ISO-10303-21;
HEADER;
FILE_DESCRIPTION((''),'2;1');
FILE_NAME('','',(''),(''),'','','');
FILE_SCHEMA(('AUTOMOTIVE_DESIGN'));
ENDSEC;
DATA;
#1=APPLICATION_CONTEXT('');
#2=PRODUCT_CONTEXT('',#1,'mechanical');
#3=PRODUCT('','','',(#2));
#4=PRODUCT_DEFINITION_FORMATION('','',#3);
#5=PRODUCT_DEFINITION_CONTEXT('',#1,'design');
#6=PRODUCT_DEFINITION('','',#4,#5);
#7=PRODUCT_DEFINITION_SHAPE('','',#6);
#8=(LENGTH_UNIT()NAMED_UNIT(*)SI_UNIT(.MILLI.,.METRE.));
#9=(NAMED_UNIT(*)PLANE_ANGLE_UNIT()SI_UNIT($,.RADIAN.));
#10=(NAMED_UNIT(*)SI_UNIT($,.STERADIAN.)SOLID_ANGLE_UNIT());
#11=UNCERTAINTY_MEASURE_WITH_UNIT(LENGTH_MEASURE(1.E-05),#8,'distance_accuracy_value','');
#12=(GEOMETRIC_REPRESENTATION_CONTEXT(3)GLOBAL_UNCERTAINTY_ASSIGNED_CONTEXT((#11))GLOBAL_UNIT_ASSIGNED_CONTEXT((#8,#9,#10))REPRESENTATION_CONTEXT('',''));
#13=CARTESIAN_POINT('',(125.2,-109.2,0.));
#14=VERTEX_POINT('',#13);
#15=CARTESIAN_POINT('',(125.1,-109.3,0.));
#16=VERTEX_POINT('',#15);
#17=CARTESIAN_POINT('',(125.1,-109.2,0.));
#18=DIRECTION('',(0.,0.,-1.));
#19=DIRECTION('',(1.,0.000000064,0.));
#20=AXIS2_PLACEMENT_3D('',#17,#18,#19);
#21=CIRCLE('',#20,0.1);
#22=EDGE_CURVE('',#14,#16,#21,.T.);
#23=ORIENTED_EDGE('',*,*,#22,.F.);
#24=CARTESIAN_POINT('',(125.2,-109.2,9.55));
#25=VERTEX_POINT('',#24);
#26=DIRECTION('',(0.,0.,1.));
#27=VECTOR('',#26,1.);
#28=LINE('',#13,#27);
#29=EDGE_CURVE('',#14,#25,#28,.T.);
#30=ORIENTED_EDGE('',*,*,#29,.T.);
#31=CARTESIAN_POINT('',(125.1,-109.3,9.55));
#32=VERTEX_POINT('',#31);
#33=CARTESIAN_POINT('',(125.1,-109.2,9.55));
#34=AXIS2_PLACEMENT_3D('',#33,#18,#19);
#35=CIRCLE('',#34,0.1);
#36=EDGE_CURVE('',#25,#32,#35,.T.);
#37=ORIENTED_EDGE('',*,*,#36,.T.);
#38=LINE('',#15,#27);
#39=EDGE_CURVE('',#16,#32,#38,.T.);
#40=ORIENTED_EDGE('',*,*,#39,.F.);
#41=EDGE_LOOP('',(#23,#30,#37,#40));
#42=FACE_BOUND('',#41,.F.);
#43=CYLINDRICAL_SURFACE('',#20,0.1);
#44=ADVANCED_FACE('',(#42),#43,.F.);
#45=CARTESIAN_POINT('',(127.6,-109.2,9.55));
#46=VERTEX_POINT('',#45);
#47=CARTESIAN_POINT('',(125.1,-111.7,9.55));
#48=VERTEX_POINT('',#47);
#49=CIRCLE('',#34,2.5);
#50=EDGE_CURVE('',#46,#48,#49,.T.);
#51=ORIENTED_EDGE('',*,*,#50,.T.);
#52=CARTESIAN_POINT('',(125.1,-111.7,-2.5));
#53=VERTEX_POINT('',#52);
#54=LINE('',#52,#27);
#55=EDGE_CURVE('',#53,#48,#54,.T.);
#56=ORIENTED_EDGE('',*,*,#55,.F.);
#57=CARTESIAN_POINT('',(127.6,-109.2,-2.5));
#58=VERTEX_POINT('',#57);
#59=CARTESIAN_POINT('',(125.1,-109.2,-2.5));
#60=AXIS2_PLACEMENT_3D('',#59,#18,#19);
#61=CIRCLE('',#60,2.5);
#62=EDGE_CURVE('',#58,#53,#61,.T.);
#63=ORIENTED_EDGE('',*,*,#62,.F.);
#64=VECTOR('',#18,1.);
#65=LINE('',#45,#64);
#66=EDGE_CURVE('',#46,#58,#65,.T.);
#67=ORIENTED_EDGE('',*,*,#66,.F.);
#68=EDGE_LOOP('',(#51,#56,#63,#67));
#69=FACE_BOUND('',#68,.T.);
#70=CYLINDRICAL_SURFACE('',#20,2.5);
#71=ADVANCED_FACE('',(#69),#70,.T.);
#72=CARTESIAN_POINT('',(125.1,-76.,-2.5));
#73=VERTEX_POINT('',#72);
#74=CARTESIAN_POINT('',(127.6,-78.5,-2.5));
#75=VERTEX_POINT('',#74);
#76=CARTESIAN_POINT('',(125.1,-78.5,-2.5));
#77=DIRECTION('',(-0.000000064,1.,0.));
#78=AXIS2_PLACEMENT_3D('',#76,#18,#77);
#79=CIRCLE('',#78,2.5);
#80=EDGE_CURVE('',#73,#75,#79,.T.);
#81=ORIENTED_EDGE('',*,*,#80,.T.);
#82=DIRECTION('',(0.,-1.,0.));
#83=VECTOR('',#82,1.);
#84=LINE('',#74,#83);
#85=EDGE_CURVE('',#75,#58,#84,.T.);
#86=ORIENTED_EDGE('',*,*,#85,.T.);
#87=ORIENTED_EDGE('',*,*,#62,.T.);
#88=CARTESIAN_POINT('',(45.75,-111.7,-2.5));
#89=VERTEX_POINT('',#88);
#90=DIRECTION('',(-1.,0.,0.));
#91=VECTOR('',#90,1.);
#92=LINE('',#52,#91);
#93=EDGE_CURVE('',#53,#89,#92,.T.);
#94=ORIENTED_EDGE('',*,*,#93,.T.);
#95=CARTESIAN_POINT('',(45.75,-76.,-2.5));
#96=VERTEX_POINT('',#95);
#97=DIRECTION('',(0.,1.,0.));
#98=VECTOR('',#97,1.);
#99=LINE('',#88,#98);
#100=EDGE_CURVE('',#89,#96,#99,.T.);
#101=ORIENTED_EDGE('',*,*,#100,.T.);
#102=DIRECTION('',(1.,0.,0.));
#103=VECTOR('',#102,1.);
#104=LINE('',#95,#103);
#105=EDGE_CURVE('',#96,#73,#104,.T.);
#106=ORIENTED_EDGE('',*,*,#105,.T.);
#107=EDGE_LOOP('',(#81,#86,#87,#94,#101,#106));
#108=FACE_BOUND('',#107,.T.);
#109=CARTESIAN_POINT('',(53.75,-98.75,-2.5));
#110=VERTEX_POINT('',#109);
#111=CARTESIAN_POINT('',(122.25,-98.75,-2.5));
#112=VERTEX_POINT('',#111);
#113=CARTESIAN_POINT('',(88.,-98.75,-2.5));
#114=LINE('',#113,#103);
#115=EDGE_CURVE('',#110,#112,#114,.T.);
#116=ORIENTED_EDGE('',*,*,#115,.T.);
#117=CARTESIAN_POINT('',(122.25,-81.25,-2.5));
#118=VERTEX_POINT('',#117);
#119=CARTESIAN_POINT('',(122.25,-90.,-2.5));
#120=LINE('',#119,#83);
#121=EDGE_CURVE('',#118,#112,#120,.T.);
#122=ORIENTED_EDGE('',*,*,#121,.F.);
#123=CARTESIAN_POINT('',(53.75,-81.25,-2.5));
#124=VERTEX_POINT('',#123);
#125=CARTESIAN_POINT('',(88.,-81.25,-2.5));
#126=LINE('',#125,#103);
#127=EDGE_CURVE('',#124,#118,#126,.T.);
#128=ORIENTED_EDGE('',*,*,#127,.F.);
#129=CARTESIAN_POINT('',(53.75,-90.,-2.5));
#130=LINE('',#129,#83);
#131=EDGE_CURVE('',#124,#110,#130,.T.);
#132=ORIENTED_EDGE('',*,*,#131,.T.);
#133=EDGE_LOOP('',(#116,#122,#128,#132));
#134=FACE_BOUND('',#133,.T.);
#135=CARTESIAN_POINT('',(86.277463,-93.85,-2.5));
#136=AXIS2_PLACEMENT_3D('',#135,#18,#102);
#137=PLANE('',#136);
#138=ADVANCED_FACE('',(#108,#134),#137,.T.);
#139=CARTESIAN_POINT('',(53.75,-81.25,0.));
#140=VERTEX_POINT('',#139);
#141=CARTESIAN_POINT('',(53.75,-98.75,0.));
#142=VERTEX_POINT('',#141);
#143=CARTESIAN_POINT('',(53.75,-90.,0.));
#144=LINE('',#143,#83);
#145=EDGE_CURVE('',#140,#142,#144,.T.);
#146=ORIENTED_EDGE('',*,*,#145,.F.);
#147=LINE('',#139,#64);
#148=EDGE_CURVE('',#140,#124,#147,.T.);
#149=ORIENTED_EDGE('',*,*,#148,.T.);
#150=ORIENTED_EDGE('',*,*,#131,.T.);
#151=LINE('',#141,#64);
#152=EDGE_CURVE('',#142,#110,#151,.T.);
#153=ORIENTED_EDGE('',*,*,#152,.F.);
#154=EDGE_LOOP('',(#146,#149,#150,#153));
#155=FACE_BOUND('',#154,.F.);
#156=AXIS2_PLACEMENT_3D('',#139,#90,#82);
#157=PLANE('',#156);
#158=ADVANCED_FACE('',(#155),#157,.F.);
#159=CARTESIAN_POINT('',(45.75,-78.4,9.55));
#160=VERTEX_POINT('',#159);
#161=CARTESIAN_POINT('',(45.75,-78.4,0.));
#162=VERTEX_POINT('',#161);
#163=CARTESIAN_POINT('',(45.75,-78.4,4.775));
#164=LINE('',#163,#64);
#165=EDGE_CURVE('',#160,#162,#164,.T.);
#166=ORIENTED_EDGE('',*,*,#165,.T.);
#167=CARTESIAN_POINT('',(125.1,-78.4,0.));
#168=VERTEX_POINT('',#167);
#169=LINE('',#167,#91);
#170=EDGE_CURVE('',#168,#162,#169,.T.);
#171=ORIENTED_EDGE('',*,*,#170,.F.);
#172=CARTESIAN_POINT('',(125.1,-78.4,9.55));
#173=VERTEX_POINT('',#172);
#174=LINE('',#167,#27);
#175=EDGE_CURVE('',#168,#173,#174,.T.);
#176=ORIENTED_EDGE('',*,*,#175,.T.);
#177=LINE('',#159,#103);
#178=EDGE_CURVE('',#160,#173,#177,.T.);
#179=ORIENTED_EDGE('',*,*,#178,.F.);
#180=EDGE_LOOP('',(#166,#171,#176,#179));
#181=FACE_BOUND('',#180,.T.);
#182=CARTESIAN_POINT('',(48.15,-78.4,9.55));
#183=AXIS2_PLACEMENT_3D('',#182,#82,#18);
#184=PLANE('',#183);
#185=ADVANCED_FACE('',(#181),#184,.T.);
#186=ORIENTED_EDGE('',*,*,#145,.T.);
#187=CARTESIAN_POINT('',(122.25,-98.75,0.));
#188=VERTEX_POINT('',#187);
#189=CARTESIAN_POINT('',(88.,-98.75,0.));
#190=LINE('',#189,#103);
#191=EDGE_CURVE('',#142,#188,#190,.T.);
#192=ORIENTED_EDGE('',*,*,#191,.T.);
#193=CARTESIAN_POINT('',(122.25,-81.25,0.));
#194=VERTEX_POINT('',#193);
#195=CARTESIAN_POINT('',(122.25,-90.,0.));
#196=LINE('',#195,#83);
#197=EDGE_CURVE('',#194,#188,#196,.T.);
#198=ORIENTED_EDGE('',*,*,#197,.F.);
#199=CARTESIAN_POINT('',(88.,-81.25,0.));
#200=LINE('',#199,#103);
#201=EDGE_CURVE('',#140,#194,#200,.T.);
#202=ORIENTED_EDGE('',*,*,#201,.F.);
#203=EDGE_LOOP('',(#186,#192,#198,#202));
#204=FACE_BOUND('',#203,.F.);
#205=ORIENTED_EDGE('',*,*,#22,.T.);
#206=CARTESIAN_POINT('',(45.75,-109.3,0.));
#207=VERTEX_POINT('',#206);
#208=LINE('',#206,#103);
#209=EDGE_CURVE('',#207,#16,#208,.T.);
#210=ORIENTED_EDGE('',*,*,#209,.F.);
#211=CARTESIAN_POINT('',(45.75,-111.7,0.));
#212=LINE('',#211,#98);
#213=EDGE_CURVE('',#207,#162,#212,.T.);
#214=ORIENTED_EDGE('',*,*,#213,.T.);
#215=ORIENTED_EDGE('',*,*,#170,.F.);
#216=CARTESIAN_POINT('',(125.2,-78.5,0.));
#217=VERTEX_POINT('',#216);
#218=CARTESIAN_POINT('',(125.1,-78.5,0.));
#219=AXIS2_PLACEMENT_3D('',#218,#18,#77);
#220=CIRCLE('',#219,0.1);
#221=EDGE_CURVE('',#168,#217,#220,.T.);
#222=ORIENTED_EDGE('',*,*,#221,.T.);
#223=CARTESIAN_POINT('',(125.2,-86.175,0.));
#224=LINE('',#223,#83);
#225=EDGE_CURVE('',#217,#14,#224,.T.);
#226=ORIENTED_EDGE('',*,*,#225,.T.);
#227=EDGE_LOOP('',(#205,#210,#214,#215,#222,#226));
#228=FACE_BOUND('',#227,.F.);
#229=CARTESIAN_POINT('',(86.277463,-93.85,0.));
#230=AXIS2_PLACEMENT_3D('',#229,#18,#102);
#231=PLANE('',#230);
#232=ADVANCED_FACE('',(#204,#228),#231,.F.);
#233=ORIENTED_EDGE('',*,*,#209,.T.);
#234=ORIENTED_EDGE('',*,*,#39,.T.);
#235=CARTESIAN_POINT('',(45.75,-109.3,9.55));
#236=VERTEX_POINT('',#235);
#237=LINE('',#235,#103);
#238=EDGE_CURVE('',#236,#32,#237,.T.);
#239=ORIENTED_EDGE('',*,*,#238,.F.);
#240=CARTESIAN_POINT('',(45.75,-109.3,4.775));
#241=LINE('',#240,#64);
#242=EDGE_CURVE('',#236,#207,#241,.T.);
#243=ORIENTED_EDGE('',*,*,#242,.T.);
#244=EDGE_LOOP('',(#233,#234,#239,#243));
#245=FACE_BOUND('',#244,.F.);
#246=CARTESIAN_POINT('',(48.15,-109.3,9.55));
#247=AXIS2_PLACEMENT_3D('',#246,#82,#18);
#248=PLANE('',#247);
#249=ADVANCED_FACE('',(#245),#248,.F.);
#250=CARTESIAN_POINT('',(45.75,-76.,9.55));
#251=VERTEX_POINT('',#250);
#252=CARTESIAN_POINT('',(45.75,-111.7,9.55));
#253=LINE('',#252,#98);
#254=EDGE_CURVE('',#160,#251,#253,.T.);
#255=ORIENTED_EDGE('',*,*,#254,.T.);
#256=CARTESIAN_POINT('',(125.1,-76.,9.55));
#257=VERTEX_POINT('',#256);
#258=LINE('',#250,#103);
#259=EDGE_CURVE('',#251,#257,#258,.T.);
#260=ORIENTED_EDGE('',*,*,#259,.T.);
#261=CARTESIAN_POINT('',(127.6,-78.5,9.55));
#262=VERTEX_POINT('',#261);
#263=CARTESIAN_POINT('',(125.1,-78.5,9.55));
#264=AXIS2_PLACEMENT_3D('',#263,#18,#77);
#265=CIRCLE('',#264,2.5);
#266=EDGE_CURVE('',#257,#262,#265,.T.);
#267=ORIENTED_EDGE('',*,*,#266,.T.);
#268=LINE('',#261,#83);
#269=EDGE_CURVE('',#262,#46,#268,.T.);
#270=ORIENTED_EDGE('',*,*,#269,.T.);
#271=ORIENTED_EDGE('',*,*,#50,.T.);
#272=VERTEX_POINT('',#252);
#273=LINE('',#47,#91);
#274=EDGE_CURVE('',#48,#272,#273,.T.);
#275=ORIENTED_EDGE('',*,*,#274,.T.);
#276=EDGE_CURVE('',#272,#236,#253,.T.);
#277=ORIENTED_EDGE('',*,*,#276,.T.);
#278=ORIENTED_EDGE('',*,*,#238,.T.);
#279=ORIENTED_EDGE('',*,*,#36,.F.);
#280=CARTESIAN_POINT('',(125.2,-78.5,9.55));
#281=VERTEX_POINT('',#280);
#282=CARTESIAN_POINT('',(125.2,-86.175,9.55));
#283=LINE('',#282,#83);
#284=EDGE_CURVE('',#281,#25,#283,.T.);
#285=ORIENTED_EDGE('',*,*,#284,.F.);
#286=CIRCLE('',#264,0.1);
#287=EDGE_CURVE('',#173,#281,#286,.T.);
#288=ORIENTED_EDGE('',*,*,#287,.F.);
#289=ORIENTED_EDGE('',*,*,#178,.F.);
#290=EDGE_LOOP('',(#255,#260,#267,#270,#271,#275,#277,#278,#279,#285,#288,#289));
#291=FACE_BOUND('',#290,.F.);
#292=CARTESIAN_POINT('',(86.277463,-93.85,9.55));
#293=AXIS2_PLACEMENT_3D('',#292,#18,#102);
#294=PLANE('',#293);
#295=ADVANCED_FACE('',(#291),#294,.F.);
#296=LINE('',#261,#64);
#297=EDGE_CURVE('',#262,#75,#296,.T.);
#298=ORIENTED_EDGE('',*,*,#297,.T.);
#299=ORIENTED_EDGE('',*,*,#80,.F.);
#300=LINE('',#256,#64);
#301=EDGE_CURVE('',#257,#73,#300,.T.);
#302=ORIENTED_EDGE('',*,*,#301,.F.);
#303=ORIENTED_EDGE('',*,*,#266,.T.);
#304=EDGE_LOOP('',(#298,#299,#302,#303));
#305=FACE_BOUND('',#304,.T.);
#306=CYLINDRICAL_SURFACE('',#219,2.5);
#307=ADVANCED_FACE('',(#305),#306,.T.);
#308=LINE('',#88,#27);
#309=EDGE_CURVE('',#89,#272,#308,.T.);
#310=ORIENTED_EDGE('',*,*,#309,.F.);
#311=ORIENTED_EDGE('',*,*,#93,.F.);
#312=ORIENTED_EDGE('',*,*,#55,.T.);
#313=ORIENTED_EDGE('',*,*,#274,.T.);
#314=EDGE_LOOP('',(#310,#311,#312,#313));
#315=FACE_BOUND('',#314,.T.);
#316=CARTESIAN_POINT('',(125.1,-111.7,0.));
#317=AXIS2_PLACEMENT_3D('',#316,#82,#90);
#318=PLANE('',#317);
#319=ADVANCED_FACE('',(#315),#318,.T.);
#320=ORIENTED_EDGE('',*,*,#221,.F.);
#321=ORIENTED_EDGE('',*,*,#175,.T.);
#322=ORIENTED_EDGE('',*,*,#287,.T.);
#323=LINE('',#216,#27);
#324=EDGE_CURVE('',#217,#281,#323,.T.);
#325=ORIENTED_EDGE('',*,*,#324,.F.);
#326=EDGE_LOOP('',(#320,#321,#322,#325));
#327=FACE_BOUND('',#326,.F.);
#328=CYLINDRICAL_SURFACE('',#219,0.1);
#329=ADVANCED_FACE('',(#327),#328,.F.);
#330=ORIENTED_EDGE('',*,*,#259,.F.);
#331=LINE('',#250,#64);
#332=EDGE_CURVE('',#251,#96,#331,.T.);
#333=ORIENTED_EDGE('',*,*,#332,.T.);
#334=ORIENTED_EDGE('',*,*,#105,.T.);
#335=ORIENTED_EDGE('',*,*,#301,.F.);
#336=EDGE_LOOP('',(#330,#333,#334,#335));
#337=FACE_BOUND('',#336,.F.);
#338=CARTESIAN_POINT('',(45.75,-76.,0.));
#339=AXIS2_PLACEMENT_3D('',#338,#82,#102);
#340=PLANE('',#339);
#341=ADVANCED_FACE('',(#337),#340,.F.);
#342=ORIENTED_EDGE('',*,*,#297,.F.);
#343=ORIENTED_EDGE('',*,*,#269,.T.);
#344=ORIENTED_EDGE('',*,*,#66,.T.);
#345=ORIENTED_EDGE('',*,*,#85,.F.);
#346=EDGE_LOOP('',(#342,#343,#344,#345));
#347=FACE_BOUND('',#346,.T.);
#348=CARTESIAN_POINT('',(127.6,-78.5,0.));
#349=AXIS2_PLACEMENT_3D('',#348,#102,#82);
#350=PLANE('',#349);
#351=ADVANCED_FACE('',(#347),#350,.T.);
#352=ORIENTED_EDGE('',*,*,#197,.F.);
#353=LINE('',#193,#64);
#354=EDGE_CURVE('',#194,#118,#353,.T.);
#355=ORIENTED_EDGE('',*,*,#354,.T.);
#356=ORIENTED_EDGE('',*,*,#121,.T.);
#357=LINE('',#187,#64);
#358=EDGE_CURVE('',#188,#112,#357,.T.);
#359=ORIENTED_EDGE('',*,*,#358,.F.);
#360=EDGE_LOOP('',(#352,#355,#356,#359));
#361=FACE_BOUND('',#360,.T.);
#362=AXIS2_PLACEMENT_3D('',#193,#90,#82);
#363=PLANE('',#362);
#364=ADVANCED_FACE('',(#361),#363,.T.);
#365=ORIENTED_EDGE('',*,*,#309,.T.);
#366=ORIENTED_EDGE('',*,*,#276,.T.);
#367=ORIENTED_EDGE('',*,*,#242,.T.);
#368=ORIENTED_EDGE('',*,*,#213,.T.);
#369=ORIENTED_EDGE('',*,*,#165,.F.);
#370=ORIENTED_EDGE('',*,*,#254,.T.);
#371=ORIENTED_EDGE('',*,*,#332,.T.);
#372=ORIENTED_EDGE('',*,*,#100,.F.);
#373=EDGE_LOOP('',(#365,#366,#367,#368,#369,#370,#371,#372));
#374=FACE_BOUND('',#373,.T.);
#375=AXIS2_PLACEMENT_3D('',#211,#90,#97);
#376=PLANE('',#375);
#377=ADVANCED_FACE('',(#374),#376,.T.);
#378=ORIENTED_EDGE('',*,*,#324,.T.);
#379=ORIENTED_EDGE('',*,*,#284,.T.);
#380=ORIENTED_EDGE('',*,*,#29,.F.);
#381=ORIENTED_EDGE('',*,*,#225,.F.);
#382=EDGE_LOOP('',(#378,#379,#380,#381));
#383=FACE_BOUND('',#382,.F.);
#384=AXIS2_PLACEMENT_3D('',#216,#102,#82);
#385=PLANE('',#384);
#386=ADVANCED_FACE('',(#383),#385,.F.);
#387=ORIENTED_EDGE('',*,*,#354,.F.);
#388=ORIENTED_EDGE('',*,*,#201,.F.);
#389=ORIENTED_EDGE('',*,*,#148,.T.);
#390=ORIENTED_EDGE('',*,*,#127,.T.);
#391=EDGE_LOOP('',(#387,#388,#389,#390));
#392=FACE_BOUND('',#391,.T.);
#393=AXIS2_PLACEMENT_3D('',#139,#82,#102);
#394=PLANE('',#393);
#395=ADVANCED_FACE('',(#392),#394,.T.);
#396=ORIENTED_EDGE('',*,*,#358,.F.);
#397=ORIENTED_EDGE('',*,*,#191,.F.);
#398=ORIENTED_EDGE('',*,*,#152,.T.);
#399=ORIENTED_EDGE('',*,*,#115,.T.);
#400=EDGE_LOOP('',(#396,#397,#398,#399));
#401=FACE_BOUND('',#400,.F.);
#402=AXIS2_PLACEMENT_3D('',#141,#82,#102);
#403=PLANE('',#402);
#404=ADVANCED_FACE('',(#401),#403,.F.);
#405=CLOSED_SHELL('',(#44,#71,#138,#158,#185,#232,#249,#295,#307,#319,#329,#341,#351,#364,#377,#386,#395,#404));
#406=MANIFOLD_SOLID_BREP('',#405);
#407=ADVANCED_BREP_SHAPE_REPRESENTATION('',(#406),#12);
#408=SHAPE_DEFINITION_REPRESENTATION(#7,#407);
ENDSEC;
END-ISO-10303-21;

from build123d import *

# Parameters (mm, degrees)
PAD038_DEPTH           = 9.55
THICKNESS004_T         = -2.4
SKETCH044_W            = 30.9
SKETCH044_H            = 9.55
POCKET008_DEPTH        = 2.4
SKETCH040_W            = 68.5
SKETCH040_H            = 17.5
PAD036_DEPTH           = 2.5
FUSION_PLACEMENT_ANGLE = 180


with BuildPart() as body012:
    # Sketch043 → Pad038 (new body)
    with BuildSketch(Plane.XY):
        with BuildLine():
            Line((126.75, 6.7), (126.75, -29))
            Line((126.75, -29), (206.1, -29))
            ThreePointArc((206.1, -29), (207.867767, -28.267767), (208.6, -26.5))
            Line((208.6, -26.5), (208.6, 4.2))
            ThreePointArc((208.6, 4.2), (207.867767, 5.967767), (206.1, 6.7))
            Line((206.1, 6.7), (126.75, 6.7))
        make_face()
    extrude(amount=-PAD038_DEPTH)

    # Thickness004
    thickness004_openings = [body012.faces().sort_by_distance(p)[0] for p in [
        (167.637908, -11.15, -9.55),
        (167.637908, -11.15, 0),
    ]]
    offset(amount=THICKNESS004_T, openings=thickness004_openings, kind=Kind.INTERSECTION)

    # Sketch044 (on Face8 of Thickness004) → Pocket008 (cut)
    with BuildSketch(Plane.YZ.offset(129.15)):
        with Locations((-11.15, -4.775)):
            Rectangle(SKETCH044_W, SKETCH044_H)
    extrude(amount=-POCKET008_DEPTH, mode=Mode.SUBTRACT)


with BuildPart() as body012_1:
    # Body012 placement: moved
    add(body012.part.moved(Location((0, 0, 10))))


with BuildPart() as tail_cover:
    # Sketch040 → Pad036 (new body)
    with BuildSketch(Plane.XY):
        with BuildLine():
            Line((126.75, 6.7), (126.75, -29))
            Line((126.75, -29), (206.1, -29))
            ThreePointArc((206.1, -29), (207.867767, -28.267767), (208.6, -26.5))
            Line((208.6, -26.5), (208.6, 4.2))
            ThreePointArc((208.6, 4.2), (207.867767, 5.967767), (206.1, 6.7))
            Line((206.1, 6.7), (126.75, 6.7))
        make_face()
        with Locations((169, -15)):
            Rectangle(SKETCH040_W, SKETCH040_H, mode=Mode.SUBTRACT)
    extrude(amount=PAD036_DEPTH)


with BuildPart() as tail_cover_1:
    # Body010 placement: moved
    add(tail_cover.part.moved(Location((0, 0, 10))))

    # Fusion: union Body012
    add(body012_1.part)


with BuildPart() as tail_cover_2:
    # Fusion placement: moved
    add(tail_cover_1.part.moved(Location((-81, -105, 10))).rotate(Axis((-81, -105, 10), (1, 0, 0)), FUSION_PLACEMENT_ANGLE))


solid = tail_cover_2.part
